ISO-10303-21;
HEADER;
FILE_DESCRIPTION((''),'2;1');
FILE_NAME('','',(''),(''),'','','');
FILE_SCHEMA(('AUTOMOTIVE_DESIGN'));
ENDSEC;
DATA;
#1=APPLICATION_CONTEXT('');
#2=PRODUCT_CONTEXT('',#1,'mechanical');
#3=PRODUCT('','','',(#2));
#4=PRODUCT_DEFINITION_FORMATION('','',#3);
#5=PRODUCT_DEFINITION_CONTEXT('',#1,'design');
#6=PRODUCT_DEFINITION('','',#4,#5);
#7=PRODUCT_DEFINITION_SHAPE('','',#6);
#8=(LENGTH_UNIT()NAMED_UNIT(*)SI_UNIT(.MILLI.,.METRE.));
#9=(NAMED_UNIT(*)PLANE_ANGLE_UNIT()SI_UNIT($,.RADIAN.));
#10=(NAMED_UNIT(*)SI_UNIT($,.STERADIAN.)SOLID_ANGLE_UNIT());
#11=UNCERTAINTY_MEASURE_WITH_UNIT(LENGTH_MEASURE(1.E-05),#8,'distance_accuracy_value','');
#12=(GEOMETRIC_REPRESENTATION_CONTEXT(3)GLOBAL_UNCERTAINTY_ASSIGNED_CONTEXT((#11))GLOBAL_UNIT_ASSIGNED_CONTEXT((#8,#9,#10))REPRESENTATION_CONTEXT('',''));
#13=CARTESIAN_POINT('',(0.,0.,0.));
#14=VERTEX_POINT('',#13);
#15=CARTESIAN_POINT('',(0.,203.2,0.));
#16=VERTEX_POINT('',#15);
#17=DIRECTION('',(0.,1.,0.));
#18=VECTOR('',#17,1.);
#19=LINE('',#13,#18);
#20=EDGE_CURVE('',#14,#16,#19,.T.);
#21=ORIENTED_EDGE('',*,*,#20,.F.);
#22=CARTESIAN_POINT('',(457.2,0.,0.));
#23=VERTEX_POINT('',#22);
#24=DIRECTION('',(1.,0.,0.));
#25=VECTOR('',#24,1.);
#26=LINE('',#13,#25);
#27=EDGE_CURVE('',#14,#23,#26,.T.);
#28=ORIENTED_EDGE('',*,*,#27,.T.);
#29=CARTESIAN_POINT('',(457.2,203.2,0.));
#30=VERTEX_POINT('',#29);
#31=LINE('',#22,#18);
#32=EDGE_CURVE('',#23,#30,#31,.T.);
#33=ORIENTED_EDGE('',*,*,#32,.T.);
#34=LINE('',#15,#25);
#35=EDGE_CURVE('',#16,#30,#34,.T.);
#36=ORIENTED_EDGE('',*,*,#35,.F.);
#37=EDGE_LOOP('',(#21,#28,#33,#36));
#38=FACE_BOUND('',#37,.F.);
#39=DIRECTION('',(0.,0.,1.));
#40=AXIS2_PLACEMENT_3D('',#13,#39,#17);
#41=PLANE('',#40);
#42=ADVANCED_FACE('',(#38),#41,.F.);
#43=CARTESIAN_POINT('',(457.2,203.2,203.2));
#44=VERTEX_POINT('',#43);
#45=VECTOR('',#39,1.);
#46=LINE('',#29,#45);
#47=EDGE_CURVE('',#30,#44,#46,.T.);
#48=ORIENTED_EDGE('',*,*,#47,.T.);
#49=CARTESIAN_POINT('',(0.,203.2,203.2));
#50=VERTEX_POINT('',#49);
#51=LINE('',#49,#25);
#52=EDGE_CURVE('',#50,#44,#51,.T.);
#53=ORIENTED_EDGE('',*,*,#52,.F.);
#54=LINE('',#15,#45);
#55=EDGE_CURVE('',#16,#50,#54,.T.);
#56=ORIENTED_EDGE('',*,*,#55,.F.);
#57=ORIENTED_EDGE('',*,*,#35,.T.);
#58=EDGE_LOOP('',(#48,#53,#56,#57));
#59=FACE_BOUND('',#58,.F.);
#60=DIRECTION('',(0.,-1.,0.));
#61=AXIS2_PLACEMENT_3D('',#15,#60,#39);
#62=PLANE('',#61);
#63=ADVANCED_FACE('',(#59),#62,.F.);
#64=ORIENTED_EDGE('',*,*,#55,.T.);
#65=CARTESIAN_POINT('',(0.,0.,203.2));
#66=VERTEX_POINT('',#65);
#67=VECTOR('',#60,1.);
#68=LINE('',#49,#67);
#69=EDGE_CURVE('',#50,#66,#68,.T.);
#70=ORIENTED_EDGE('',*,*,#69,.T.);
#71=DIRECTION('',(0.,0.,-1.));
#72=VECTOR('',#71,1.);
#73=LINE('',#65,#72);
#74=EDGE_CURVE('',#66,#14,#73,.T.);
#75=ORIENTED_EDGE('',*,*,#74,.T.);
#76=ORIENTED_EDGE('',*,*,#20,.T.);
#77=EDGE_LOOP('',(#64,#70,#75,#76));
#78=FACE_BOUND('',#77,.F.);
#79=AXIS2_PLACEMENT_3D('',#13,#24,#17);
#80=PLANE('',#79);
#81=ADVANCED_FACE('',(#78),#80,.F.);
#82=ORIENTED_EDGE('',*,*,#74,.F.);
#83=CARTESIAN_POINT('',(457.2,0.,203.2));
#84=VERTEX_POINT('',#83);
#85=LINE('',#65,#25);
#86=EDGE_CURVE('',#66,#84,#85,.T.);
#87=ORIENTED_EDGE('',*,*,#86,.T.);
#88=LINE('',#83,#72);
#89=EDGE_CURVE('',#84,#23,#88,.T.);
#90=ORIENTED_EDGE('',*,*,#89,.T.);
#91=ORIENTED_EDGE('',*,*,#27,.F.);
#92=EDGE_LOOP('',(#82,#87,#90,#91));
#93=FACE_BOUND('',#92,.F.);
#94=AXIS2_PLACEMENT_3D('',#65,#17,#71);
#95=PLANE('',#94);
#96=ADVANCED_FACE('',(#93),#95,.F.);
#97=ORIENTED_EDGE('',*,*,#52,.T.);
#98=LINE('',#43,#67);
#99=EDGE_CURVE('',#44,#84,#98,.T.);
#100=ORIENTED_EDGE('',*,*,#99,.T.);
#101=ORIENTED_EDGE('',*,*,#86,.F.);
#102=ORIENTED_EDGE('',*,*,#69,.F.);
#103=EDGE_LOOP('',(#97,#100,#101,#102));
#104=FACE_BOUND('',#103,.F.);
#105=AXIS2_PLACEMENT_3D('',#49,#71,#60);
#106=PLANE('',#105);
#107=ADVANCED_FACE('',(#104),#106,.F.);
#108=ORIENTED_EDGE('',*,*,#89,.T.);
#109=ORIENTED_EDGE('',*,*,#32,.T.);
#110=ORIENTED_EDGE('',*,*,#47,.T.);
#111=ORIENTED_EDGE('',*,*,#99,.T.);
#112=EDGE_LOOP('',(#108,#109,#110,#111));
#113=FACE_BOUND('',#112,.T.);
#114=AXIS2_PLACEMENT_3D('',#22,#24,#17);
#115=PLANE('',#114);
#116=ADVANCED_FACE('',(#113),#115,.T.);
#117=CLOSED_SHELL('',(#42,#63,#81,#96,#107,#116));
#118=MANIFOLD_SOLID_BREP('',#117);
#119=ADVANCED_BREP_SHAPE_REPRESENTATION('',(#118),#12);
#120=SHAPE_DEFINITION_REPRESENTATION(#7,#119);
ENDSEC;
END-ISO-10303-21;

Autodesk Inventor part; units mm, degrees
ref_plane "YZ Plane" through (0, 0, 0) normal (1, 0, 0) x (0, 1, 0)
ref_plane "XZ Plane" through (0, 0, 0) normal (0, 1, 0) x (-1, 0, 0)
ref_plane "XY Plane" through (0, 0, 0) normal (0, 0, 1) x (1, 0, 0)
sketch "Sketch1" plane through (0, 0, 0) normal (1, 0, 0) x (0, 1, 0)
  line L0 (0, 0) -> (203.2, 0)
  line L1 (203.2, 0) -> (203.2, 203.2)
  line L2 (203.2, 203.2) -> (0, 203.2)
  line L3 (0, 203.2) -> (0, 0)
  dimension "d0" = 203.2
  dimension "d1" = 203.2
extrude "Extrusion1" add sketch "Sketch1" along normal blind 457.2
properties part number "Payload" material "Wood (Birch)"
